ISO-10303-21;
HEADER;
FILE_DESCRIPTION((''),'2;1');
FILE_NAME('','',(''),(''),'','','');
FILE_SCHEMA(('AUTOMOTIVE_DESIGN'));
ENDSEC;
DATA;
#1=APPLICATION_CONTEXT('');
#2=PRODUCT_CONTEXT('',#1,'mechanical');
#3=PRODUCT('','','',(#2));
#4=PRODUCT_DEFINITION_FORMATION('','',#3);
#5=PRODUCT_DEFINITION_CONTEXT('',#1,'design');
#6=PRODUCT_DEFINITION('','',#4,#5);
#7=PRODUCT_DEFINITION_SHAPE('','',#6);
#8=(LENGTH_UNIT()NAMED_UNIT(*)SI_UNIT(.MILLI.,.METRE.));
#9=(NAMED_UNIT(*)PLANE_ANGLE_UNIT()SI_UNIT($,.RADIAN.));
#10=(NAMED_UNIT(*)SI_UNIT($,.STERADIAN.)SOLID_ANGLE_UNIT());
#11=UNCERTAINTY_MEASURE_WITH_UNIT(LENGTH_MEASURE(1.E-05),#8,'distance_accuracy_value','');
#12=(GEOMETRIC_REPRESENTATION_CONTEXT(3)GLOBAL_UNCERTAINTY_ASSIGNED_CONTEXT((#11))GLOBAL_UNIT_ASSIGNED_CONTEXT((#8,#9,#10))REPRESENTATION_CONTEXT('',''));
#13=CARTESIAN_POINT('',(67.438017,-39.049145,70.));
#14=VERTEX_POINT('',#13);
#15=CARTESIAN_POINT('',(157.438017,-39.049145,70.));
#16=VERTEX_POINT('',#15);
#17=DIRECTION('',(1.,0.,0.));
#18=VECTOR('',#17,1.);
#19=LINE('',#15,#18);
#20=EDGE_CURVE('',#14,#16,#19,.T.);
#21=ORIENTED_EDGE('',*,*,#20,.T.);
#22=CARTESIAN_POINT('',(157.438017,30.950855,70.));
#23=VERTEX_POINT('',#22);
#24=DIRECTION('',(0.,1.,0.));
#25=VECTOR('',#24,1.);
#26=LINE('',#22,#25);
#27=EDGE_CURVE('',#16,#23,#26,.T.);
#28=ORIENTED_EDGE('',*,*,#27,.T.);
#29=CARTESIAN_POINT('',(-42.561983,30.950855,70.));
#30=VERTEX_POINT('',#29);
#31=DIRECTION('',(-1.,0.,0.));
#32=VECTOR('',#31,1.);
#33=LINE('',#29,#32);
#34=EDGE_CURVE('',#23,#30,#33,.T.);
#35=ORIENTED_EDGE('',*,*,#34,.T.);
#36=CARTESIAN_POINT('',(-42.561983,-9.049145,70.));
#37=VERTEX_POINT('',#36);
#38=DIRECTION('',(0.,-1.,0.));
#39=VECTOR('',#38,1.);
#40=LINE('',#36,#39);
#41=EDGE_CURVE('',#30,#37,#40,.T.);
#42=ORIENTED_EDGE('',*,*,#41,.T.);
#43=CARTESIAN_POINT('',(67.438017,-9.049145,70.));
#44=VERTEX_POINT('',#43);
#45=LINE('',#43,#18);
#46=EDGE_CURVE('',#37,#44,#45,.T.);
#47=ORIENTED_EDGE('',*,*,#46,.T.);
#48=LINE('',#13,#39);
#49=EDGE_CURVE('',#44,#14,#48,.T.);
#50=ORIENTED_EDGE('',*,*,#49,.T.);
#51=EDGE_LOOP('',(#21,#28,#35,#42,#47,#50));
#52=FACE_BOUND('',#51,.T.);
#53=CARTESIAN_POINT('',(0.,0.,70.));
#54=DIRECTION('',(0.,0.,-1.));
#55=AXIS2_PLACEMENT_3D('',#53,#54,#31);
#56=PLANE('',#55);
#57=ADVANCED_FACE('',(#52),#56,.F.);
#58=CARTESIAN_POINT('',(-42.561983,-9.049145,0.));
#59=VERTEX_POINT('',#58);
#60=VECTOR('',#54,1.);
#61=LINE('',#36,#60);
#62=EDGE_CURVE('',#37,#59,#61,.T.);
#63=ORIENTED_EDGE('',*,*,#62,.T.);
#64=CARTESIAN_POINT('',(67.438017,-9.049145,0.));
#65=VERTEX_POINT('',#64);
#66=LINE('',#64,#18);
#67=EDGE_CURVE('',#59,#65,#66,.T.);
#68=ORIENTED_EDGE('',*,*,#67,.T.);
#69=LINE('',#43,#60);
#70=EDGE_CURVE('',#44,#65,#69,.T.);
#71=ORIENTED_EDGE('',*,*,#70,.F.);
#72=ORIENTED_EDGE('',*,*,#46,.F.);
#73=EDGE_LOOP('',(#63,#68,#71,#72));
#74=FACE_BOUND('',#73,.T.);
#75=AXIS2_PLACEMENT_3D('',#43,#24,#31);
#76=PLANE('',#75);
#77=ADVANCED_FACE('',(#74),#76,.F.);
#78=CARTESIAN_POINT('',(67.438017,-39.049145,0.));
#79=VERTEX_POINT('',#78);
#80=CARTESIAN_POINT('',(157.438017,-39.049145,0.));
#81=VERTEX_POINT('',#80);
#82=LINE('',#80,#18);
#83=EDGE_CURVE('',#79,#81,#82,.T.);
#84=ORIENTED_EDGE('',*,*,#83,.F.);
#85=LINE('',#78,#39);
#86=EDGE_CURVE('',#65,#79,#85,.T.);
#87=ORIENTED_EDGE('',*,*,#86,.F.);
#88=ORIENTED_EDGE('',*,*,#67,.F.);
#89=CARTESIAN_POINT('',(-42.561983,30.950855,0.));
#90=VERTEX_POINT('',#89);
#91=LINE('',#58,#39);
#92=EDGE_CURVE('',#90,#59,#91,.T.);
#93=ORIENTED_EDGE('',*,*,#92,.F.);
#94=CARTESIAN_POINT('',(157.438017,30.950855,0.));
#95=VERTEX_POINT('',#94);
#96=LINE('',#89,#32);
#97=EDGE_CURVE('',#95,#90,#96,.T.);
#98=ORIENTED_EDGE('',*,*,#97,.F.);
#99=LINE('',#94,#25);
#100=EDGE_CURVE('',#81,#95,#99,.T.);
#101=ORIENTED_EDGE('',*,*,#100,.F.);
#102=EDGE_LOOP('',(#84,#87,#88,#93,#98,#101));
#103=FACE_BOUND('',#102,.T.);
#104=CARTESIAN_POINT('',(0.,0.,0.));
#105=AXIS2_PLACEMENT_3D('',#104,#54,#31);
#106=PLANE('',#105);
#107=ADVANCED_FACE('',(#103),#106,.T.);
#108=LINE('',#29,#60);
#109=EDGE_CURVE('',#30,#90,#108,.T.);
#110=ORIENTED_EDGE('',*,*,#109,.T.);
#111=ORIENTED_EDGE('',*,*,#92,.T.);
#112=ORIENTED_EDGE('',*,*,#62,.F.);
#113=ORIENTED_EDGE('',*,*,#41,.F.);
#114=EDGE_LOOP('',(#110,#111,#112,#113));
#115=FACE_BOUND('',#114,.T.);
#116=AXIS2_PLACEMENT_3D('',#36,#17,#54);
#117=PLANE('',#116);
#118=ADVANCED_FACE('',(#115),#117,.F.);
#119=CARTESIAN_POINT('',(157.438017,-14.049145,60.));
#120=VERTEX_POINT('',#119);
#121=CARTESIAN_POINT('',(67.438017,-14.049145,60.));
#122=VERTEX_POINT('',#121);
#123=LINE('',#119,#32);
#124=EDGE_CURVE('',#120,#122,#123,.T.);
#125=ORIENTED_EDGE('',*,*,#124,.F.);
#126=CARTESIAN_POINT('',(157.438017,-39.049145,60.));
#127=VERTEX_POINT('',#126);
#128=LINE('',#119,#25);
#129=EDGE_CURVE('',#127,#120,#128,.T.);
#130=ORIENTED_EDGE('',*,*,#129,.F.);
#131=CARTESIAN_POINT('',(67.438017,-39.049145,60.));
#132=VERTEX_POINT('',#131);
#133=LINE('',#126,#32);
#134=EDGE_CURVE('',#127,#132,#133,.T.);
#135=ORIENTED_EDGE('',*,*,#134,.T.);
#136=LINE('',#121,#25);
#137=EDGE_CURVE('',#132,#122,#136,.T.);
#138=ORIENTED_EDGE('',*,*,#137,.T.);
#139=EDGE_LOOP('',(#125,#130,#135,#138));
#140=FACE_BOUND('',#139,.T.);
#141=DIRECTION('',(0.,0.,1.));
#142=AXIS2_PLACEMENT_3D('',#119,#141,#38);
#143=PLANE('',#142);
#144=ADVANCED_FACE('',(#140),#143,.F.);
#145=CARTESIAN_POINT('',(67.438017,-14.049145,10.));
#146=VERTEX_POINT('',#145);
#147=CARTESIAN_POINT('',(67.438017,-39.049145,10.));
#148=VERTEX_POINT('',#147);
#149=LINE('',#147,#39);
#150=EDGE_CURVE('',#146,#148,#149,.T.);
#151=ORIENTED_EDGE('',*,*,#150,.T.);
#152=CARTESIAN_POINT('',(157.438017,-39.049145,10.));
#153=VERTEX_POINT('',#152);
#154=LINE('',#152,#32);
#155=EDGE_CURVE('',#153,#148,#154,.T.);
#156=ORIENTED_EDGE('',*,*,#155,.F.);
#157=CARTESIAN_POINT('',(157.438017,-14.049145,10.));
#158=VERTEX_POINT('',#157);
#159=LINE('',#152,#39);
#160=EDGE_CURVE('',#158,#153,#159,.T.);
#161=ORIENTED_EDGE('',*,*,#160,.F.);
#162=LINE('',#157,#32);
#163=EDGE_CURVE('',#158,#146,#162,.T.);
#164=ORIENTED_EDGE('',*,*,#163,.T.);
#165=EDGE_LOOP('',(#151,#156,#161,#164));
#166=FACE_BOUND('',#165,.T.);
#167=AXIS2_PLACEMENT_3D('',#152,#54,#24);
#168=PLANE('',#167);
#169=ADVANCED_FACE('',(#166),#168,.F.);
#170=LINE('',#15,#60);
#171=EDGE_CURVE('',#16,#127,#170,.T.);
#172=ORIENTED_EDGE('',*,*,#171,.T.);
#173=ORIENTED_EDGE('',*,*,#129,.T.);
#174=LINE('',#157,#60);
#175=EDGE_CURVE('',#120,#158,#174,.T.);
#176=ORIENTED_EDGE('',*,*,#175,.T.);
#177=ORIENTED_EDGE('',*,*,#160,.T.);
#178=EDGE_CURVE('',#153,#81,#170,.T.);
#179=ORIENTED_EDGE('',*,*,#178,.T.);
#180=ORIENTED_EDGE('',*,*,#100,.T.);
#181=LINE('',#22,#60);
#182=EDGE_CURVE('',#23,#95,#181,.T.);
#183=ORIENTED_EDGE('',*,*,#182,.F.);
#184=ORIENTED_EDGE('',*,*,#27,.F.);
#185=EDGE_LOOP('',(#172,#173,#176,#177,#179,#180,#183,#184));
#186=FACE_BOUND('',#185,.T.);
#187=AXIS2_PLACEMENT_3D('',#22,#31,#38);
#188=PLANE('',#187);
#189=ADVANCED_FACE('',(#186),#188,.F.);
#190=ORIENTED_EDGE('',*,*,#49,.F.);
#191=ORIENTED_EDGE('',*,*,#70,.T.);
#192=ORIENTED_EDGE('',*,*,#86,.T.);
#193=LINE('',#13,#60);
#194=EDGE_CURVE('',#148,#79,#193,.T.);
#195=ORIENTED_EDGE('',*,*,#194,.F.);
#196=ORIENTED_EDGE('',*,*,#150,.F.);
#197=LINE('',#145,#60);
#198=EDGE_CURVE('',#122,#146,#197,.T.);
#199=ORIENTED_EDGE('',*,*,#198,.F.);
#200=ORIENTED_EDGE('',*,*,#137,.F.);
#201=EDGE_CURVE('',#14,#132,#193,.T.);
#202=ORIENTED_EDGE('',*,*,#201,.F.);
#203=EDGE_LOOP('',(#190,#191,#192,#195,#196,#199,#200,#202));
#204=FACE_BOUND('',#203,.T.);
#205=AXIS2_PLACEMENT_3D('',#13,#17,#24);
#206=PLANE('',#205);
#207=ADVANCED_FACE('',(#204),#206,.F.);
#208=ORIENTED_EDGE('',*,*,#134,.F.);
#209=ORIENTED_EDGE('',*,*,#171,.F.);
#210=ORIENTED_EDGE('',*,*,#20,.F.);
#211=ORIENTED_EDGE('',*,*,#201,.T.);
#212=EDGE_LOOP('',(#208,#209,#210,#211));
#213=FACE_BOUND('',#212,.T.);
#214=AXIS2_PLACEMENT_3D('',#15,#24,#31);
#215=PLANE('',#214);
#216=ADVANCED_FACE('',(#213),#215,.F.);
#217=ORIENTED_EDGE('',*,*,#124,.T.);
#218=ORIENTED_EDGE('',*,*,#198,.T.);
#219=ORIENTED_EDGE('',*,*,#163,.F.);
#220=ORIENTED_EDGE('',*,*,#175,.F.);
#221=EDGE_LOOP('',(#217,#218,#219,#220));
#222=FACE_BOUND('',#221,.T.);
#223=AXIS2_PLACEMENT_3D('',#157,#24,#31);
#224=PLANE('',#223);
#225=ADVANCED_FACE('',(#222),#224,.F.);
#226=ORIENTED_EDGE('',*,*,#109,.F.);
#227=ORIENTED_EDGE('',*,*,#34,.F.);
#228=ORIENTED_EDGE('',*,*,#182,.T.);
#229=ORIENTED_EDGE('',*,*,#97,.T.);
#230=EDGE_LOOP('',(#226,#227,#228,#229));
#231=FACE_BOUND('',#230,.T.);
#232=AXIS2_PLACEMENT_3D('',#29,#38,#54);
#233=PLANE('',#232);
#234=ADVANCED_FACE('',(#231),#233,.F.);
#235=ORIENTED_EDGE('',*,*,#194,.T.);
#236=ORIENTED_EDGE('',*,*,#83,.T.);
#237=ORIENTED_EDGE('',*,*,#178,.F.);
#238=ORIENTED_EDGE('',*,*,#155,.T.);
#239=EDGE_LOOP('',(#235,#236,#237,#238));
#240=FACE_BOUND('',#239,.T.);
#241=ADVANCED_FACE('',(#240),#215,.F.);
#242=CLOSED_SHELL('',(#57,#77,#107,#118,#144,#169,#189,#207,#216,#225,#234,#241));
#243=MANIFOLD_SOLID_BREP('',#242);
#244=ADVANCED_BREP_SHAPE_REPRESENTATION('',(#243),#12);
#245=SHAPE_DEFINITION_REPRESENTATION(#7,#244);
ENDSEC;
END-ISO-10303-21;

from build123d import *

# Parameters (mm, degrees)
EXTRUDE_2_DEPTH     = 70
SKETCH_3_W          = 50
SKETCH_3_H          = 25
CUT_EXTRUDE_3_DEPTH = 91


with BuildPart() as part:
    # 草图1 → 凸台-拉伸2 (new body)
    with BuildSketch(Plane.XY):
        Polygon((-42.561983471, 30.9508549), (157.438016529, 30.9508549), (157.438016529, -39.0491451), (67.438016529, -39.0491451), (67.438016529, -9.0491451), (-42.561983471, -9.0491451), align=None)
    extrude(amount=EXTRUDE_2_DEPTH)

    # 草图3 → 切除-拉伸3 (cut, through all)
    with BuildSketch(Plane.ZY.offset(-67.438016529)):
        with Locations((35, -26.5491451)):
            Rectangle(SKETCH_3_W, SKETCH_3_H)
    extrude(amount=-CUT_EXTRUDE_3_DEPTH, mode=Mode.SUBTRACT)


solid = part.part
